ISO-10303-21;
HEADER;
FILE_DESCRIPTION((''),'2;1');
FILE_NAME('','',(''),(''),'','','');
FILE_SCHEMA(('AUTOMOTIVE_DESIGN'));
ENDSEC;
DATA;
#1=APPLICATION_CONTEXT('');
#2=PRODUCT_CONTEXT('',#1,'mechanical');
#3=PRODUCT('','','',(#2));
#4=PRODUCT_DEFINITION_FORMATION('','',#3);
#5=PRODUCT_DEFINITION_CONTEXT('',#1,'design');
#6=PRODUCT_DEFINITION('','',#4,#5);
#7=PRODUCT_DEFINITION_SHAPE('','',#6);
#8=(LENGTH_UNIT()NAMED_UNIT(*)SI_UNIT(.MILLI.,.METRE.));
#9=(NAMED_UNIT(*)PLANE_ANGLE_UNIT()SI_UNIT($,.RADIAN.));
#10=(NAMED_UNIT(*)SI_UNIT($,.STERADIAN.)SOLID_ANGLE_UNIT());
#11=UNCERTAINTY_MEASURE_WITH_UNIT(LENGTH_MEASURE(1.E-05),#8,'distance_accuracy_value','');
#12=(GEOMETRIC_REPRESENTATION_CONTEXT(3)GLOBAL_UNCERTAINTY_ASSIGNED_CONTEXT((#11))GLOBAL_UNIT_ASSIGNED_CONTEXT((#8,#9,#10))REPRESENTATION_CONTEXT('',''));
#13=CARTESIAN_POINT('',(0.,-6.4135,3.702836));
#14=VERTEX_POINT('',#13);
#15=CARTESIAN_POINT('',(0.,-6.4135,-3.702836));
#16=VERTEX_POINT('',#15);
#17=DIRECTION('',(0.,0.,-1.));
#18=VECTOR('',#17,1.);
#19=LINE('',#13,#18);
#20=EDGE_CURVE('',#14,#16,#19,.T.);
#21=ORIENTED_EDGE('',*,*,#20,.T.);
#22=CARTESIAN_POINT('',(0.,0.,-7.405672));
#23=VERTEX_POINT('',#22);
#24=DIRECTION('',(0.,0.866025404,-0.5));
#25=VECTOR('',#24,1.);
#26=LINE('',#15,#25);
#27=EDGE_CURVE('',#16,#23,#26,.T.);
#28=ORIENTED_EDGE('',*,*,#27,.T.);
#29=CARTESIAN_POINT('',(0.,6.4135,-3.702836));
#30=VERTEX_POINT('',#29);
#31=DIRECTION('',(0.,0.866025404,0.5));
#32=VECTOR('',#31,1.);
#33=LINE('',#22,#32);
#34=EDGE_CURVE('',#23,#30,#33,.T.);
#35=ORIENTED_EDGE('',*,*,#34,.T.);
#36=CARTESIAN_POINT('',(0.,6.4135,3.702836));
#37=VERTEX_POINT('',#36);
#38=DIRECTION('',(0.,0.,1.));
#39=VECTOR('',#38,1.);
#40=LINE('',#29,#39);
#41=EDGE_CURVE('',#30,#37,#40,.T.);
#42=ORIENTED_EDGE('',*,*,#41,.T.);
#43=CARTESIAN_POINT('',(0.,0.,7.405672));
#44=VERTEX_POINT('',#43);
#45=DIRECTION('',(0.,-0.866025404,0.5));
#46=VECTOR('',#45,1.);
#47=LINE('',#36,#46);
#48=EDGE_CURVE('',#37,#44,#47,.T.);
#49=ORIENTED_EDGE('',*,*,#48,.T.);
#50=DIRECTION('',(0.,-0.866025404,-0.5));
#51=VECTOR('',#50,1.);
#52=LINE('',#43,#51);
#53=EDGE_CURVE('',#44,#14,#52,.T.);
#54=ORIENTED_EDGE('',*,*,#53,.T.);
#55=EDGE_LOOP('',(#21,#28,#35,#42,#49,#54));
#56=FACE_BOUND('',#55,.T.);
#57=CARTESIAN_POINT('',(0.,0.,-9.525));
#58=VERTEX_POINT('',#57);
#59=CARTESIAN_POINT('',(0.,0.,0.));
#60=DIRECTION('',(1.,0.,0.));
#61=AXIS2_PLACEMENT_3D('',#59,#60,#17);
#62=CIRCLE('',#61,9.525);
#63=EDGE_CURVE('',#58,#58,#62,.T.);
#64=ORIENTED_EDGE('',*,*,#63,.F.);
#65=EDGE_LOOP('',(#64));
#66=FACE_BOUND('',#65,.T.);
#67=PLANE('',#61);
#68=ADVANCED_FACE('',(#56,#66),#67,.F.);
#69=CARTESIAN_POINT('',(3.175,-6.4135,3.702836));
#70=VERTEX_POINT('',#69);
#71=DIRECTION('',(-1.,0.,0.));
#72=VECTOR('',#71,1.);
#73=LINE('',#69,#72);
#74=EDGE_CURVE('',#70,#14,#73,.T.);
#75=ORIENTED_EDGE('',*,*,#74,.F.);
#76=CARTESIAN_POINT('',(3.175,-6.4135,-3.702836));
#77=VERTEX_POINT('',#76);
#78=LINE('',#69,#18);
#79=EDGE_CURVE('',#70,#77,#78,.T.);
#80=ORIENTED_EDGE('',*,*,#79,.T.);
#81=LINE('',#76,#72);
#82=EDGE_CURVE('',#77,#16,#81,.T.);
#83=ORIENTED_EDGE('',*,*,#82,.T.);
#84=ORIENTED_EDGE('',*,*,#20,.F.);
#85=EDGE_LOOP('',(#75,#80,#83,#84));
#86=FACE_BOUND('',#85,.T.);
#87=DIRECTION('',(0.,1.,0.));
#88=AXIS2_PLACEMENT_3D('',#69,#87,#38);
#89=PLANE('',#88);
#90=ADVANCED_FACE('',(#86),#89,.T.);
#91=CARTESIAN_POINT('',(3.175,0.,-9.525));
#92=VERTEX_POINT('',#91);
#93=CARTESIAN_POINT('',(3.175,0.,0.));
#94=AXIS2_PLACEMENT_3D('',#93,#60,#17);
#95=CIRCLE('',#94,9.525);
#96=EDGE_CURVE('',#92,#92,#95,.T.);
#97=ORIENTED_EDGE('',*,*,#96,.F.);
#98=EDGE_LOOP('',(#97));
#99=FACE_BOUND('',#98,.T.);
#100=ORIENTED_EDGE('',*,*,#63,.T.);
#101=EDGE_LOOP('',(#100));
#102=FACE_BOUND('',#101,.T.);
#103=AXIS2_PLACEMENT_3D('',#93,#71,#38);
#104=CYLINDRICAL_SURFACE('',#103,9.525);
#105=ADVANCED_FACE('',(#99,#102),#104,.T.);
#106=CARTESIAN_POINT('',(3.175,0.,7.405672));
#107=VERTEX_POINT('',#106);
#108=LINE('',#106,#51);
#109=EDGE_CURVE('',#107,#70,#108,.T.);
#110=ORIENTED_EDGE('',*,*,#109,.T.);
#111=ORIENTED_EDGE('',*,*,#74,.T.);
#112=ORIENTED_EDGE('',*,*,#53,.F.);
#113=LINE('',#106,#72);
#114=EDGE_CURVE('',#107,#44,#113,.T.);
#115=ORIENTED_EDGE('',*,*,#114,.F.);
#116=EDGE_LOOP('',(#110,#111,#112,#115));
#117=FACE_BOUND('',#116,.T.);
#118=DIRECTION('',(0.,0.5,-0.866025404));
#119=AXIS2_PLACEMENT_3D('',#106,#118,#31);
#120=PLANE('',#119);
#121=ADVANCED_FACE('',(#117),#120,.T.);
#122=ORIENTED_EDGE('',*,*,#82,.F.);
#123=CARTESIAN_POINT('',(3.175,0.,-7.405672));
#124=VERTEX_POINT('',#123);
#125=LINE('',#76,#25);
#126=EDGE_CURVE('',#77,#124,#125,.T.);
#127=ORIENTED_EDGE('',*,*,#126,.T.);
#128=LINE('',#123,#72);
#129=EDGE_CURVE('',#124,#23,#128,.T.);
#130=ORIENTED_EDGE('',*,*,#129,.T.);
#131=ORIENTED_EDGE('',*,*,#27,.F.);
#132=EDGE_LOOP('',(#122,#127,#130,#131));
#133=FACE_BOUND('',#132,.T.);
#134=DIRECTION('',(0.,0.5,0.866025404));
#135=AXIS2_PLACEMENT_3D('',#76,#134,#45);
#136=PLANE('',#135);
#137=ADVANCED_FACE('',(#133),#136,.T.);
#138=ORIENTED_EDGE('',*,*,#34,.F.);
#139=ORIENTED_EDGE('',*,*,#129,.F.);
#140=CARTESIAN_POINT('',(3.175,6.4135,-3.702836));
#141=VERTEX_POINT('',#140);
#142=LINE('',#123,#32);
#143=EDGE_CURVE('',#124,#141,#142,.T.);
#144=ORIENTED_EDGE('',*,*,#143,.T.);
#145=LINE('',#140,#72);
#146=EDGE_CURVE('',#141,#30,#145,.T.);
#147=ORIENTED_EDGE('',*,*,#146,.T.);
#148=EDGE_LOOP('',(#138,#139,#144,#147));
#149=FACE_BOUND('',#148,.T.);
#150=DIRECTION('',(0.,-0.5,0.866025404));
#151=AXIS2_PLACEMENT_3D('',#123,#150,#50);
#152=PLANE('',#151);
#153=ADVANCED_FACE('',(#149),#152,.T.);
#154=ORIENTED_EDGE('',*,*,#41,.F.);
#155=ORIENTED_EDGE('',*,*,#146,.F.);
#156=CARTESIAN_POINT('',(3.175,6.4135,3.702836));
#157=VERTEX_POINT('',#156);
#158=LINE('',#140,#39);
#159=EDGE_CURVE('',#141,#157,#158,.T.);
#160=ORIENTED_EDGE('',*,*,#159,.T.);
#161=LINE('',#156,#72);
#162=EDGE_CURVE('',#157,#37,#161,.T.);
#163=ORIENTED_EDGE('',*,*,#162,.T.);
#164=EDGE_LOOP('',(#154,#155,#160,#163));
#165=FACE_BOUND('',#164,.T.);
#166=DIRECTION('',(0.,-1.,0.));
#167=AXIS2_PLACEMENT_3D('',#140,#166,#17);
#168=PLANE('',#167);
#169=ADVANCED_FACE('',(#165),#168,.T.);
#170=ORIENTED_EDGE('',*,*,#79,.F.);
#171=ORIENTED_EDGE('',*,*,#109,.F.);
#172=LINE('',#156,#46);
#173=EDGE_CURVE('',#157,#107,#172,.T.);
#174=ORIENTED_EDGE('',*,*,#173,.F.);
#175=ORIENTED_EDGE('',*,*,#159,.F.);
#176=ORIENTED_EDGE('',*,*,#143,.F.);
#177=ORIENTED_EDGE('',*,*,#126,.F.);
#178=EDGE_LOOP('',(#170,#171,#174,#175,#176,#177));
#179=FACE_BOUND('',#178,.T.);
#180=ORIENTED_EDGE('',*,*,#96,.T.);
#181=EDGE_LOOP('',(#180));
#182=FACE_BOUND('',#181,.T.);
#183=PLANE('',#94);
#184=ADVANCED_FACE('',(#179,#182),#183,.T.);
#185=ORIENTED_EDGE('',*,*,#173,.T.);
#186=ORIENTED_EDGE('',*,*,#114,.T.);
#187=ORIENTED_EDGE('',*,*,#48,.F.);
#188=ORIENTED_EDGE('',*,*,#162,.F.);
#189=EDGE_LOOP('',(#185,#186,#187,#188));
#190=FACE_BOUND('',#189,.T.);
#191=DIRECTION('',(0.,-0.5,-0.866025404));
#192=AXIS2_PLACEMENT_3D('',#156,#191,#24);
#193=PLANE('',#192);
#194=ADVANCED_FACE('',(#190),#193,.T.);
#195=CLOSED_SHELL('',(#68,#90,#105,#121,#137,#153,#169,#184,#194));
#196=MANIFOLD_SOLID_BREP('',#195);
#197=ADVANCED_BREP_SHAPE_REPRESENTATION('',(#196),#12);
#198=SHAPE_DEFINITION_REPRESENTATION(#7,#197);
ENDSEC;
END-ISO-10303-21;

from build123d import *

# Parameters (mm, degrees)
SKETCH1_R           = 9.525
BOSS_EXTRUDE1_DEPTH = 3.175


with BuildPart() as part:
    # Sketch1 → Boss-Extrude1 (new body)
    with BuildSketch(Plane(origin=(0, 0, 0), x_dir=(0, 0, -1), z_dir=(1, 0, 0))):
        Circle(SKETCH1_R)
        Polygon((3.702835951, 6.4135), (-3.702835951, 6.4135), (-7.405671903, 0), (-3.702835951, -6.4135), (3.702835951, -6.4135), (7.405671903, 0), align=None, mode=Mode.SUBTRACT)
    extrude(amount=BOSS_EXTRUDE1_DEPTH)


solid = part.part
